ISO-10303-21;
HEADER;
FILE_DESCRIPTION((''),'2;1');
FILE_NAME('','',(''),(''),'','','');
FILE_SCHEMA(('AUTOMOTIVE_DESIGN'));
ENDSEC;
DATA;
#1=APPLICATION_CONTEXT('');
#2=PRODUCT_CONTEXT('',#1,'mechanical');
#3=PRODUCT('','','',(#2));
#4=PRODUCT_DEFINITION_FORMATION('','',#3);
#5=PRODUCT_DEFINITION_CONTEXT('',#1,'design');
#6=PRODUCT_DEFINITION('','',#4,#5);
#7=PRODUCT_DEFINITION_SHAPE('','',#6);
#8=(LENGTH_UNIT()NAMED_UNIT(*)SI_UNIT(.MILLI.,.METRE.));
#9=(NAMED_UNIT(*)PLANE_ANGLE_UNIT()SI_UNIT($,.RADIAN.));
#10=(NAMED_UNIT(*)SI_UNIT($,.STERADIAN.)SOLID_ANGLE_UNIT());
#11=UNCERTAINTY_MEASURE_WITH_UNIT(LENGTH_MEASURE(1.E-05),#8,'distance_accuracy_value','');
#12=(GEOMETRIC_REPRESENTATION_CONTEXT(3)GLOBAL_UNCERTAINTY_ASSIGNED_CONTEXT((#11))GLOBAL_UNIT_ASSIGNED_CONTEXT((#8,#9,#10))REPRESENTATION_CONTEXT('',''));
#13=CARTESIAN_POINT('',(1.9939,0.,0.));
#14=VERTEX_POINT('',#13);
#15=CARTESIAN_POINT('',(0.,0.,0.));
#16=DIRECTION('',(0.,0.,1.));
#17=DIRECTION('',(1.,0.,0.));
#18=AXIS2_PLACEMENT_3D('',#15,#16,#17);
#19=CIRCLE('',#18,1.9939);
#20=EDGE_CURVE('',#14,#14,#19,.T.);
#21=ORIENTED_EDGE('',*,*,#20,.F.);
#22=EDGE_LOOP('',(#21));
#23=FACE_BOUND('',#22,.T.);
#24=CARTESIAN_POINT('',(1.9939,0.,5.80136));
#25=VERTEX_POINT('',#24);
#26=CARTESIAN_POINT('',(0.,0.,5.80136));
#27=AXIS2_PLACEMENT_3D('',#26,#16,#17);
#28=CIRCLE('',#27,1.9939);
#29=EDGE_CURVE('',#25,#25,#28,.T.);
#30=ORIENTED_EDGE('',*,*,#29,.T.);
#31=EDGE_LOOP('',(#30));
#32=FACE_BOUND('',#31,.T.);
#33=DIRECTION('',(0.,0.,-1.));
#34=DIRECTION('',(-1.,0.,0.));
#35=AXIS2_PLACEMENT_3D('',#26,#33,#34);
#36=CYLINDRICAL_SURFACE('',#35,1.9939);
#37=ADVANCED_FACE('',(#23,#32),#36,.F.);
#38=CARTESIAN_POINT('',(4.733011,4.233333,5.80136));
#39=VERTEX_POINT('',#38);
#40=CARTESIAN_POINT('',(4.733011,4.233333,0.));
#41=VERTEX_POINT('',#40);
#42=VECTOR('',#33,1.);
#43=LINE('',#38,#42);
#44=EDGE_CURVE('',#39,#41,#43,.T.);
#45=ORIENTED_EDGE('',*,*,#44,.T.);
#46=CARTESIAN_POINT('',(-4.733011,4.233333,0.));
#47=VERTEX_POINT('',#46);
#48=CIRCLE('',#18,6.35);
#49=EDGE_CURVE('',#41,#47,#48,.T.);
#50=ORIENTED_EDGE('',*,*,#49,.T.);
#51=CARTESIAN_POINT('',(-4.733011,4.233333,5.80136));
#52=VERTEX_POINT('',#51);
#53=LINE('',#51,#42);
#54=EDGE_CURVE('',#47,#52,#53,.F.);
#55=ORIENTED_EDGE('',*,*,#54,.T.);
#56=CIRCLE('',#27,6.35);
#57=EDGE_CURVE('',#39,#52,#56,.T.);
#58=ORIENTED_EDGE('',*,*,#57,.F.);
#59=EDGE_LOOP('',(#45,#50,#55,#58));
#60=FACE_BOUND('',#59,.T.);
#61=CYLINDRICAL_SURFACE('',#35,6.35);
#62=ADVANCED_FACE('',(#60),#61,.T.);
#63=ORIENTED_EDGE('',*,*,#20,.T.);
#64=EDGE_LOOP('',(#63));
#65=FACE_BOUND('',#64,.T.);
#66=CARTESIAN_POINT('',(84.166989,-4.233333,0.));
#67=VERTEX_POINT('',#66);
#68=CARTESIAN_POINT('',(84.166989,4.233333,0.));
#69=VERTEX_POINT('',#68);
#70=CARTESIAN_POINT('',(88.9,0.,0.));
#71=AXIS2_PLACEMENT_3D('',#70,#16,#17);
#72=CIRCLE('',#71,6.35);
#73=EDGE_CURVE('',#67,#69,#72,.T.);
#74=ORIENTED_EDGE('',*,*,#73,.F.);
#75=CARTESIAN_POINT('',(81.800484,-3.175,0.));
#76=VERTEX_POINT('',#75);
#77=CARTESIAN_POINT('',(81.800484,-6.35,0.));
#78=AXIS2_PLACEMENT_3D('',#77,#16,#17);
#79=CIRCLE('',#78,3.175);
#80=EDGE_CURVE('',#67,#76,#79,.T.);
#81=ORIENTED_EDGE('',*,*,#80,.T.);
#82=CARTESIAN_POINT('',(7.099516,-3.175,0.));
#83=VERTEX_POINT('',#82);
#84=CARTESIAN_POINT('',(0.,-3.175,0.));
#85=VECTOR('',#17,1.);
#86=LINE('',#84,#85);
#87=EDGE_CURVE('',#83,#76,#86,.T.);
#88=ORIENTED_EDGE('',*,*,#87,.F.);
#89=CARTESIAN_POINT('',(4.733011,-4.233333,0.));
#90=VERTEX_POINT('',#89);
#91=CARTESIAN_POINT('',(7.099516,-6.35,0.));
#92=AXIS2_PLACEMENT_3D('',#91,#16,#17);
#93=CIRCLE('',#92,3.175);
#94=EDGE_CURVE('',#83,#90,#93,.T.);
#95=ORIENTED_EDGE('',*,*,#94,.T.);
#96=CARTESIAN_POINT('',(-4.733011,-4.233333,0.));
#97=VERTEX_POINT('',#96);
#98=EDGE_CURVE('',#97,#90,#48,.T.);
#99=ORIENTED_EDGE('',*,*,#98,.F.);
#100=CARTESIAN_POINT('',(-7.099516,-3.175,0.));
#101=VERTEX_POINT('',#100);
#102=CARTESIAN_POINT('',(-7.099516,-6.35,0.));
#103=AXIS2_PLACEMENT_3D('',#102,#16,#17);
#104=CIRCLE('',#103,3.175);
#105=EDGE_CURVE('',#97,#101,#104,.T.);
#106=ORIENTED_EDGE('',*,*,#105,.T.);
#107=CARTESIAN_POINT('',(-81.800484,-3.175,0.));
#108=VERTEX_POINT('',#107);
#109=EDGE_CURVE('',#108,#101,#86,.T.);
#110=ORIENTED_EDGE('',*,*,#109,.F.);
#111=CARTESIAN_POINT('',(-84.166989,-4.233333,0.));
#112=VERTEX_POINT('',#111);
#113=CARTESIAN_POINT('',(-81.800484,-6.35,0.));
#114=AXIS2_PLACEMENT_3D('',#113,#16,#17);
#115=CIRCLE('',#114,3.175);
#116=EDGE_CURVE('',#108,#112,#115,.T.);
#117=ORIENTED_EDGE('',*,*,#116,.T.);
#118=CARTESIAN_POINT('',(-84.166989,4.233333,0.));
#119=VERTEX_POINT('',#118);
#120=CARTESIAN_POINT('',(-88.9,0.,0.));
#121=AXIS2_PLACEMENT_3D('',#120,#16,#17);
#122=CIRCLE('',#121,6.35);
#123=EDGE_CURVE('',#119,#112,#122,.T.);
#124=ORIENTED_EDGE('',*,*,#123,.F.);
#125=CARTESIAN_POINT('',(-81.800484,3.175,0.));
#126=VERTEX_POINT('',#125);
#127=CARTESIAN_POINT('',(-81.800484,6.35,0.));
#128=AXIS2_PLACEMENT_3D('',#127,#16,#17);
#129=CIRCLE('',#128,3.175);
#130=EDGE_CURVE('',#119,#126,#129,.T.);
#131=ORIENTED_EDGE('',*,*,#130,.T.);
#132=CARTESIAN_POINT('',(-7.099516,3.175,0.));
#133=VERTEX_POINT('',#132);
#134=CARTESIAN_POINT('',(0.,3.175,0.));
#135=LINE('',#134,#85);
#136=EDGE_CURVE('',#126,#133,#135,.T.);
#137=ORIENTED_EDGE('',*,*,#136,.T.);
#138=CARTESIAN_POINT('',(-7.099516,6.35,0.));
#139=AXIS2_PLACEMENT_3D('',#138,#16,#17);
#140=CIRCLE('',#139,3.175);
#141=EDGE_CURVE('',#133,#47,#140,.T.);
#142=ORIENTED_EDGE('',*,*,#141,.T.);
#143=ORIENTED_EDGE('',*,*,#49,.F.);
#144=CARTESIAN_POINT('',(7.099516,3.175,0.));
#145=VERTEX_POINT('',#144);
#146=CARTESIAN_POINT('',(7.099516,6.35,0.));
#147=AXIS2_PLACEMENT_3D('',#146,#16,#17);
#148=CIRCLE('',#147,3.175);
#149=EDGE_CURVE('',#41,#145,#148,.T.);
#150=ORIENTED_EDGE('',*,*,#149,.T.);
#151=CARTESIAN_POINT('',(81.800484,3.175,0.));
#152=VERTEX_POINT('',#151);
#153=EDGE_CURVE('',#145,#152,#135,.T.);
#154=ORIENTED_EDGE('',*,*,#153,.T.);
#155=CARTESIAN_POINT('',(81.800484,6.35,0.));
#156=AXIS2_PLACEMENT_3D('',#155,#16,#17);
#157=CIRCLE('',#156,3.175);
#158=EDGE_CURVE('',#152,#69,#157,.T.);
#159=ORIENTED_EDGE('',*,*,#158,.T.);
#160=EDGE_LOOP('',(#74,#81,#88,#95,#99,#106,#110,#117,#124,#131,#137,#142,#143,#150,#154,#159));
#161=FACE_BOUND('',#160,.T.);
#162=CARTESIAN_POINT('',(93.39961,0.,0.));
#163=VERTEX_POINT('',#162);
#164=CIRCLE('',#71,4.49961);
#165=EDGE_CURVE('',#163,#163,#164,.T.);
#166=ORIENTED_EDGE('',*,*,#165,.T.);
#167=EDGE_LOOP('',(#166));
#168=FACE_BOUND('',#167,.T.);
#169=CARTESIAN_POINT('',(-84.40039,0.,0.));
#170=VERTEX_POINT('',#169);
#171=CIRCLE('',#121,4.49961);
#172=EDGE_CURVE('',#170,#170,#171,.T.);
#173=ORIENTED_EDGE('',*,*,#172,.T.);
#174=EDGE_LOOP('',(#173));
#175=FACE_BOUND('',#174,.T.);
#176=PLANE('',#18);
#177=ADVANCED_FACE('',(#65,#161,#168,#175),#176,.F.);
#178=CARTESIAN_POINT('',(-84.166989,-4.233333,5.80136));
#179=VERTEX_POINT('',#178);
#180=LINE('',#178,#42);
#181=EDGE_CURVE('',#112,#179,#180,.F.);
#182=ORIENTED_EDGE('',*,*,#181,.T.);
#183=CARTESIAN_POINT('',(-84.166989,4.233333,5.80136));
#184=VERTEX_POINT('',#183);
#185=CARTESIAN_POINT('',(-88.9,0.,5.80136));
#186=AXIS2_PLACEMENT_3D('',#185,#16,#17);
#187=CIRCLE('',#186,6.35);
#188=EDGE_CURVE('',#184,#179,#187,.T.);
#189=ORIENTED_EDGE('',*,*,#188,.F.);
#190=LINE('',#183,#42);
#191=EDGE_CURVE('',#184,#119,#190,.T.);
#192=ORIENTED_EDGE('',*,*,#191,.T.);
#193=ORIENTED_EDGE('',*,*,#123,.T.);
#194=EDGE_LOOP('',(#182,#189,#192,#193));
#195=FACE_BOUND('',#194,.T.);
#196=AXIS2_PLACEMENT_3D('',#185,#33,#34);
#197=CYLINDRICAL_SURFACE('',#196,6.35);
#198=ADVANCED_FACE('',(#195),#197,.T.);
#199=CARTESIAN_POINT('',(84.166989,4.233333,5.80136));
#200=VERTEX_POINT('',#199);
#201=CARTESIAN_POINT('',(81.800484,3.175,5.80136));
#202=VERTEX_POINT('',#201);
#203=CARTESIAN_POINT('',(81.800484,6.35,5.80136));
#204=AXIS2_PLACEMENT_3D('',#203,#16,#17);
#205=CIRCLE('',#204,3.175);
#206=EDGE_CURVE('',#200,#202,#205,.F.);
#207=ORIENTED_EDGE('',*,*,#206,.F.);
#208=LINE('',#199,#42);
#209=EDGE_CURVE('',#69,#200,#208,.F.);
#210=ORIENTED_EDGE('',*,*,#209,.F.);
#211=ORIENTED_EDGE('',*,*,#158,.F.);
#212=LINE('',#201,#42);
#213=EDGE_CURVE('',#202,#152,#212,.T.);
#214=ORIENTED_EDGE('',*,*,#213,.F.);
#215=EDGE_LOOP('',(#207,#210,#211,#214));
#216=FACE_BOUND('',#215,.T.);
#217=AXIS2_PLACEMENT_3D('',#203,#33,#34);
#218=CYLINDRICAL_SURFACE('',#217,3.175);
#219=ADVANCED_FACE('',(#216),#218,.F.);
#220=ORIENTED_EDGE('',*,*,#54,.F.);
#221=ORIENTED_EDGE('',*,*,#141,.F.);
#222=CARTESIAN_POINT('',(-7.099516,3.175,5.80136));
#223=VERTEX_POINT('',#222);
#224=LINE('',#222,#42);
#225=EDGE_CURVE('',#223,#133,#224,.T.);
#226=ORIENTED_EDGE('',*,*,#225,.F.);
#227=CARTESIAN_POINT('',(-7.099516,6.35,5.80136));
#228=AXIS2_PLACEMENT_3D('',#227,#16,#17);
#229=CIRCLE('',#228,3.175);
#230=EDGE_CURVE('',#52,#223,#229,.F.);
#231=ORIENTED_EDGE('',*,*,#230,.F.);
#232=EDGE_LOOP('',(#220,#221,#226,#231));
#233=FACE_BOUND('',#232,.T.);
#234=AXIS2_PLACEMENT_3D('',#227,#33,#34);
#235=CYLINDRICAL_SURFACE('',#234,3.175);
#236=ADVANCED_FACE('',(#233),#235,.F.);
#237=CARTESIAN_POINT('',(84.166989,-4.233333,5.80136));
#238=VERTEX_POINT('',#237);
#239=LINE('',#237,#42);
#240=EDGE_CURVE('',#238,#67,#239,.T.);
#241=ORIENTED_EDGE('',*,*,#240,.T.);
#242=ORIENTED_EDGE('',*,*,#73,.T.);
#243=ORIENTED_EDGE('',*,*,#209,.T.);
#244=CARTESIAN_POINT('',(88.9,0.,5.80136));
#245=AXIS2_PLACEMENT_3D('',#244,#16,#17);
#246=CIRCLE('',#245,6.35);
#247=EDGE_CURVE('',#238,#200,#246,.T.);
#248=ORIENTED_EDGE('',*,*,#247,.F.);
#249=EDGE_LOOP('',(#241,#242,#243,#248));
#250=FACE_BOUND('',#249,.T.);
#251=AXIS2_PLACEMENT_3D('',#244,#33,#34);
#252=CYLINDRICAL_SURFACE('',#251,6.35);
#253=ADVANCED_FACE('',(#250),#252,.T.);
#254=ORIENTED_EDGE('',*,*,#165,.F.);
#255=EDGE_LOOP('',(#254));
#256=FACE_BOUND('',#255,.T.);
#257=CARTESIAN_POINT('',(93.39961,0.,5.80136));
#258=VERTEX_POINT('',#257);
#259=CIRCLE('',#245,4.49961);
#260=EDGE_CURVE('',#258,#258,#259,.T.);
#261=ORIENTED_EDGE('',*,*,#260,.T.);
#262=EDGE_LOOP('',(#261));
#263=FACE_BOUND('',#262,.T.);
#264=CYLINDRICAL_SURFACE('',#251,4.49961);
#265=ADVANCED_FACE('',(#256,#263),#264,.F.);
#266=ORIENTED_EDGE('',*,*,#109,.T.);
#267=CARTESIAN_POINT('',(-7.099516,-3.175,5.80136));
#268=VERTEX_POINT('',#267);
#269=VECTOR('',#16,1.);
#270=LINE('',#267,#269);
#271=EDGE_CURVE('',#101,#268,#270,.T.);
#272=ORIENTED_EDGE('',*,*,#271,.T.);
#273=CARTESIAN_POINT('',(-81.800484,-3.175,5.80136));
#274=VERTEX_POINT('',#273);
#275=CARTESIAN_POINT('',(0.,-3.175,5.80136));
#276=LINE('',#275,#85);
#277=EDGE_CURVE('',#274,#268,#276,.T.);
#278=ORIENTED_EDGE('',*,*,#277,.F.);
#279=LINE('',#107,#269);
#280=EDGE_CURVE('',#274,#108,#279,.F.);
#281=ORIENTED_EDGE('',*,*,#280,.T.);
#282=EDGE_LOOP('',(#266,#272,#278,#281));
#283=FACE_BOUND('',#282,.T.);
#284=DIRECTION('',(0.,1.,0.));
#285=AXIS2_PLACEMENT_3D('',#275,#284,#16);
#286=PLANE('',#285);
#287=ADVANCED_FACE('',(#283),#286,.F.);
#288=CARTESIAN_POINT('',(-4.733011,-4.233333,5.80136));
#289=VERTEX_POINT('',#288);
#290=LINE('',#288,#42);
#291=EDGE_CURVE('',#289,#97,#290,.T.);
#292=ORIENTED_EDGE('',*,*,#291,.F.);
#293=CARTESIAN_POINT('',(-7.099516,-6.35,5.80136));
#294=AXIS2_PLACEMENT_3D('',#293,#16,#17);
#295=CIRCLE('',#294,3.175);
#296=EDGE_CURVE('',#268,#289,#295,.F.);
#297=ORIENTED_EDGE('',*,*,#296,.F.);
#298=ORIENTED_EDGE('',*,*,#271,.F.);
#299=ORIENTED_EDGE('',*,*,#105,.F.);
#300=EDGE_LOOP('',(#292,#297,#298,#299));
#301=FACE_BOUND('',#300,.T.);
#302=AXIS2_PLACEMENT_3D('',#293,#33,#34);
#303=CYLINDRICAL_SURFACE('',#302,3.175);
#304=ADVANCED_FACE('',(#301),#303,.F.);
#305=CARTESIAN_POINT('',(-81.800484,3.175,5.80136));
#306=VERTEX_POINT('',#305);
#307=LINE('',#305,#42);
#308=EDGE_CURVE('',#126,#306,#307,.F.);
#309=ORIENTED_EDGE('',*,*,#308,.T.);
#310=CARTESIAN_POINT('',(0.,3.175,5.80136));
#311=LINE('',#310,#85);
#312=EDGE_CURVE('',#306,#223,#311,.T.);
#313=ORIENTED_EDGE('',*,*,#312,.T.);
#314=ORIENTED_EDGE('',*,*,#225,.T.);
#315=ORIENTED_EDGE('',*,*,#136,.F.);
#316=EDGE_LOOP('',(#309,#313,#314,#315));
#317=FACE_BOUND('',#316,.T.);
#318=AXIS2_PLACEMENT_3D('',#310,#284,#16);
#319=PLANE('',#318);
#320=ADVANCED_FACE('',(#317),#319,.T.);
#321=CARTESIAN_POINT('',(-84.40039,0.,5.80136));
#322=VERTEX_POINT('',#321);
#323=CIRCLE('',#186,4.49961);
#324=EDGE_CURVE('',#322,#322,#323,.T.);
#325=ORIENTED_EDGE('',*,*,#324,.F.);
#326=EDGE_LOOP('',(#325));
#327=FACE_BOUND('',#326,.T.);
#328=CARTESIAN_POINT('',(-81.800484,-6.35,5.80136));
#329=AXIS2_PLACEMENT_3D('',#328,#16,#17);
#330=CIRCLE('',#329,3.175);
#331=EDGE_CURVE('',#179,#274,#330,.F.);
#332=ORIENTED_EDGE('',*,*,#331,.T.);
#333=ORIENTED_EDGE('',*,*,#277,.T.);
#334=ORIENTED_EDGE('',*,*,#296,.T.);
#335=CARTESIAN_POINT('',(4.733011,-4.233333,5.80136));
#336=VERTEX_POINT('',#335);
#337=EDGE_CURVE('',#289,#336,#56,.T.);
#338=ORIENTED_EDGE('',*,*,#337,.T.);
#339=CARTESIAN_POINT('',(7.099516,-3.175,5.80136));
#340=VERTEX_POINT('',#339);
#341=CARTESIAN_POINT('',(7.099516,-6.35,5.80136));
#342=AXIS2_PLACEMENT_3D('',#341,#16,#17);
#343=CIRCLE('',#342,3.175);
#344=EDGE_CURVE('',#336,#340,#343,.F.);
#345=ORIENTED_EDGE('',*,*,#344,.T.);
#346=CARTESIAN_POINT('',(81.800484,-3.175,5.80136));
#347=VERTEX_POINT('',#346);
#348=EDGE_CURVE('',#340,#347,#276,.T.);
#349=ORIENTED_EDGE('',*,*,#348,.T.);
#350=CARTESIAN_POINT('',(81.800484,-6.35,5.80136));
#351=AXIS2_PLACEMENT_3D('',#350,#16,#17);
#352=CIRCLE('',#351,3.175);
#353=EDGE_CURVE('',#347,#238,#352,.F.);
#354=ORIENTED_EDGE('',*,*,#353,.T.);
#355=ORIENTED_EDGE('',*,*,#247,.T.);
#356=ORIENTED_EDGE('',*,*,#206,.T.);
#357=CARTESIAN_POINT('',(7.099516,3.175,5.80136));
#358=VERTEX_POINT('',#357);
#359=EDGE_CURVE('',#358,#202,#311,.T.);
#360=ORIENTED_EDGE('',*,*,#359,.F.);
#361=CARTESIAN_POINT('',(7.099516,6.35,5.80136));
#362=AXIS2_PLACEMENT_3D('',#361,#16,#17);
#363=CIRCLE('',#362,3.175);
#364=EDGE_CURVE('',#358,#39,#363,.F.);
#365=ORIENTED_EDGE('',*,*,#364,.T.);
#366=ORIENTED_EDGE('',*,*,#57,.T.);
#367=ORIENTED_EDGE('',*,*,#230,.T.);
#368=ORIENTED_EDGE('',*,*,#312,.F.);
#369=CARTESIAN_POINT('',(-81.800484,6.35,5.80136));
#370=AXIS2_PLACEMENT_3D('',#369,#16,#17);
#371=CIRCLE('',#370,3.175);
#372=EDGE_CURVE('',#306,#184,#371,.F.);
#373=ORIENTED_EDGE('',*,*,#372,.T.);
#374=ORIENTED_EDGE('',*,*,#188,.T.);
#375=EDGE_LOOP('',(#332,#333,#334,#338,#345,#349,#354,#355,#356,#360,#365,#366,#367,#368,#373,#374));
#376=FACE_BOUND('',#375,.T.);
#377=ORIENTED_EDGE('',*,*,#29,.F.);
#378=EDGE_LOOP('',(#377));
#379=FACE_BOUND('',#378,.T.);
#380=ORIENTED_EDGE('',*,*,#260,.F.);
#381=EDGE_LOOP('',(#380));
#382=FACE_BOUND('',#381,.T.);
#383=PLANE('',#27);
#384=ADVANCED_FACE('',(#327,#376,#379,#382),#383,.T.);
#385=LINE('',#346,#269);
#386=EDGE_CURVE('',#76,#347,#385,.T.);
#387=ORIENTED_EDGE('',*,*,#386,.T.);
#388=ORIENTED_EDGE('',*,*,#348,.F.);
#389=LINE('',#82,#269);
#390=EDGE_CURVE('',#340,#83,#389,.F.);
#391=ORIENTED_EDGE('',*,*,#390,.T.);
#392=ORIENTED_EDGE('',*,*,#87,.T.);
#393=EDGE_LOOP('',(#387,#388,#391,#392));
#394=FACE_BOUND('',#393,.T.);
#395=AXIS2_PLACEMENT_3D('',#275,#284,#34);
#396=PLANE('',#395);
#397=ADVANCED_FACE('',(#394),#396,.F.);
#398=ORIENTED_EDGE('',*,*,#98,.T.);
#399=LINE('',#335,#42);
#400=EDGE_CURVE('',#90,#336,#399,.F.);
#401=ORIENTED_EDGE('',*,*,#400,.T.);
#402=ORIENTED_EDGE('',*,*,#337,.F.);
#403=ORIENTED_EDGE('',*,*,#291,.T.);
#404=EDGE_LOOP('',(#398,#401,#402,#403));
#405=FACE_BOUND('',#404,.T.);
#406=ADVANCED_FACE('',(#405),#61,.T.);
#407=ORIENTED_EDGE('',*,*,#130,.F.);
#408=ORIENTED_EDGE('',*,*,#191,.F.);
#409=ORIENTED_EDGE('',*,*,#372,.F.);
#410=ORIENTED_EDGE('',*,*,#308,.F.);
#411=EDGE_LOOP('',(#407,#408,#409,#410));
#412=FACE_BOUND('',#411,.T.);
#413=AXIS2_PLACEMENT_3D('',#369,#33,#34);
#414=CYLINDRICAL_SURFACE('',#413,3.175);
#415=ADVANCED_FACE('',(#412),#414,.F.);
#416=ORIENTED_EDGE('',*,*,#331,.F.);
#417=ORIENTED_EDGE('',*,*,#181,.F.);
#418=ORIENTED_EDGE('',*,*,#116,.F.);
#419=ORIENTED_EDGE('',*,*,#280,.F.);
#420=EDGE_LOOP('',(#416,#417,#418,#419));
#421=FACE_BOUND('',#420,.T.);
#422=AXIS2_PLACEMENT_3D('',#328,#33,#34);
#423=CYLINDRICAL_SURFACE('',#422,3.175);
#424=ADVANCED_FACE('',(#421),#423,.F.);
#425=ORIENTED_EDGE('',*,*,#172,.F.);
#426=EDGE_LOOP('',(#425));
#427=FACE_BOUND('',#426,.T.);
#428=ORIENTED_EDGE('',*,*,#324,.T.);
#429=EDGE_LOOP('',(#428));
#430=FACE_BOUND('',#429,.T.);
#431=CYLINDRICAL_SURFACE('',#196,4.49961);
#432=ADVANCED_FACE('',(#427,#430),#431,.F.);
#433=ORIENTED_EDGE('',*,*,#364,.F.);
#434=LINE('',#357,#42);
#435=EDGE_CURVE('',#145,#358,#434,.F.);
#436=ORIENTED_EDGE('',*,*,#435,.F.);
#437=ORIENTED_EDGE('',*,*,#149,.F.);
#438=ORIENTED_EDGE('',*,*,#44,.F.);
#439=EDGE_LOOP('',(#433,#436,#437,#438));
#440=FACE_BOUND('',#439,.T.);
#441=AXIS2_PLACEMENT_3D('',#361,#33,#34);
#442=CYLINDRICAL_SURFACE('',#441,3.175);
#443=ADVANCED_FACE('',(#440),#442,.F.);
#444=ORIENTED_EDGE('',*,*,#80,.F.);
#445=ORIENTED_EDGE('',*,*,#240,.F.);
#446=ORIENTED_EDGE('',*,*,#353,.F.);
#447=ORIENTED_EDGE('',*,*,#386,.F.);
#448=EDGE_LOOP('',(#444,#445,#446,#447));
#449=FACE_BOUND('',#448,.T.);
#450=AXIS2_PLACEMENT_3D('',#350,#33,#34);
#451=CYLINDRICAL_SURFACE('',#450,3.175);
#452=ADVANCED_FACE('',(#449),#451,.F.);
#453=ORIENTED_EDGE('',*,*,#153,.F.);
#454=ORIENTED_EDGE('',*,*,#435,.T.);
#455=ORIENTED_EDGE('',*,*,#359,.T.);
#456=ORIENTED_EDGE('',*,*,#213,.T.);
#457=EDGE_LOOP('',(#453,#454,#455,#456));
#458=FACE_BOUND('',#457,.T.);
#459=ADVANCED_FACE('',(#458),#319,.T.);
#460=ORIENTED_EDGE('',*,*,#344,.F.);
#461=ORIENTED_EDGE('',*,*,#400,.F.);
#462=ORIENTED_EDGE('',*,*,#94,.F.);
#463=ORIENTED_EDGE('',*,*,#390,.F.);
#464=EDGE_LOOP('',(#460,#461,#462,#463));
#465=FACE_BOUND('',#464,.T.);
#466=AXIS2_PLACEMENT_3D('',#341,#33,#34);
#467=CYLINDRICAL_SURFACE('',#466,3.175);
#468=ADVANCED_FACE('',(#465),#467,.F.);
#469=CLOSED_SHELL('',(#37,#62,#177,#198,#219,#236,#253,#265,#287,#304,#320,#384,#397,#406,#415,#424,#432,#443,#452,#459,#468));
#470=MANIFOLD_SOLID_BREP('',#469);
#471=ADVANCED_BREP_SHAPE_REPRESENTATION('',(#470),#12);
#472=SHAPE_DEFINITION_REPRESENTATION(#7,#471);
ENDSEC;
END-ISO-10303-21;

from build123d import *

# Parameters (mm, degrees)
SKETCH1_R           = 4.49961
SKETCH1_R_2         = 1.9939
BOSS_EXTRUDE1_DEPTH = 5.80136
FILLET1_R           = 3.175


with BuildPart() as part:
    # Sketch1 → Boss-Extrude1 (new body)
    with BuildSketch(Plane.XY):
        with BuildLine():
            Line((-83.400738686, -3.175), (-5.499261314, -3.175))
            ThreePointArc((-5.499261314, -3.175), (0, -6.35), (5.499261314, -3.175))
            Line((5.499261314, -3.175), (83.400738686, -3.175))
            ThreePointArc((83.400738686, -3.175), (95.25, 0), (83.400738686, 3.175))
            Line((83.400738686, 3.175), (5.499261314, 3.175))
            ThreePointArc((5.499261314, 3.175), (0, 6.35), (-5.499261314, 3.175))
            Line((-5.499261314, 3.175), (-83.400738686, 3.175))
            ThreePointArc((-83.400738686, 3.175), (-95.25, 0), (-83.400738686, -3.175))
        make_face()
        with Locations((-88.9, 0)):
            Circle(SKETCH1_R, mode=Mode.SUBTRACT)
        Circle(SKETCH1_R_2, mode=Mode.SUBTRACT)
        with Locations((88.9, 0)):
            Circle(SKETCH1_R, mode=Mode.SUBTRACT)
    extrude(amount=BOSS_EXTRUDE1_DEPTH)

    # Fillet1
    fillet1_edges = [part.edges().sort_by_distance(p)[0] for p in [
        (-83.400738686, 3.175, 2.90068),
        (-5.499261314, 3.175, 2.90068),
        (5.499261314, 3.175, 2.90068),
        (83.400738686, 3.175, 2.90068),
        (83.400738686, -3.175, 2.90068),
        (5.499261314, -3.175, 2.90068),
        (-5.499261314, -3.175, 2.90068),
        (-83.400738686, -3.175, 2.90068),
    ]]
    fillet(fillet1_edges, radius=FILLET1_R)


solid = part.part
